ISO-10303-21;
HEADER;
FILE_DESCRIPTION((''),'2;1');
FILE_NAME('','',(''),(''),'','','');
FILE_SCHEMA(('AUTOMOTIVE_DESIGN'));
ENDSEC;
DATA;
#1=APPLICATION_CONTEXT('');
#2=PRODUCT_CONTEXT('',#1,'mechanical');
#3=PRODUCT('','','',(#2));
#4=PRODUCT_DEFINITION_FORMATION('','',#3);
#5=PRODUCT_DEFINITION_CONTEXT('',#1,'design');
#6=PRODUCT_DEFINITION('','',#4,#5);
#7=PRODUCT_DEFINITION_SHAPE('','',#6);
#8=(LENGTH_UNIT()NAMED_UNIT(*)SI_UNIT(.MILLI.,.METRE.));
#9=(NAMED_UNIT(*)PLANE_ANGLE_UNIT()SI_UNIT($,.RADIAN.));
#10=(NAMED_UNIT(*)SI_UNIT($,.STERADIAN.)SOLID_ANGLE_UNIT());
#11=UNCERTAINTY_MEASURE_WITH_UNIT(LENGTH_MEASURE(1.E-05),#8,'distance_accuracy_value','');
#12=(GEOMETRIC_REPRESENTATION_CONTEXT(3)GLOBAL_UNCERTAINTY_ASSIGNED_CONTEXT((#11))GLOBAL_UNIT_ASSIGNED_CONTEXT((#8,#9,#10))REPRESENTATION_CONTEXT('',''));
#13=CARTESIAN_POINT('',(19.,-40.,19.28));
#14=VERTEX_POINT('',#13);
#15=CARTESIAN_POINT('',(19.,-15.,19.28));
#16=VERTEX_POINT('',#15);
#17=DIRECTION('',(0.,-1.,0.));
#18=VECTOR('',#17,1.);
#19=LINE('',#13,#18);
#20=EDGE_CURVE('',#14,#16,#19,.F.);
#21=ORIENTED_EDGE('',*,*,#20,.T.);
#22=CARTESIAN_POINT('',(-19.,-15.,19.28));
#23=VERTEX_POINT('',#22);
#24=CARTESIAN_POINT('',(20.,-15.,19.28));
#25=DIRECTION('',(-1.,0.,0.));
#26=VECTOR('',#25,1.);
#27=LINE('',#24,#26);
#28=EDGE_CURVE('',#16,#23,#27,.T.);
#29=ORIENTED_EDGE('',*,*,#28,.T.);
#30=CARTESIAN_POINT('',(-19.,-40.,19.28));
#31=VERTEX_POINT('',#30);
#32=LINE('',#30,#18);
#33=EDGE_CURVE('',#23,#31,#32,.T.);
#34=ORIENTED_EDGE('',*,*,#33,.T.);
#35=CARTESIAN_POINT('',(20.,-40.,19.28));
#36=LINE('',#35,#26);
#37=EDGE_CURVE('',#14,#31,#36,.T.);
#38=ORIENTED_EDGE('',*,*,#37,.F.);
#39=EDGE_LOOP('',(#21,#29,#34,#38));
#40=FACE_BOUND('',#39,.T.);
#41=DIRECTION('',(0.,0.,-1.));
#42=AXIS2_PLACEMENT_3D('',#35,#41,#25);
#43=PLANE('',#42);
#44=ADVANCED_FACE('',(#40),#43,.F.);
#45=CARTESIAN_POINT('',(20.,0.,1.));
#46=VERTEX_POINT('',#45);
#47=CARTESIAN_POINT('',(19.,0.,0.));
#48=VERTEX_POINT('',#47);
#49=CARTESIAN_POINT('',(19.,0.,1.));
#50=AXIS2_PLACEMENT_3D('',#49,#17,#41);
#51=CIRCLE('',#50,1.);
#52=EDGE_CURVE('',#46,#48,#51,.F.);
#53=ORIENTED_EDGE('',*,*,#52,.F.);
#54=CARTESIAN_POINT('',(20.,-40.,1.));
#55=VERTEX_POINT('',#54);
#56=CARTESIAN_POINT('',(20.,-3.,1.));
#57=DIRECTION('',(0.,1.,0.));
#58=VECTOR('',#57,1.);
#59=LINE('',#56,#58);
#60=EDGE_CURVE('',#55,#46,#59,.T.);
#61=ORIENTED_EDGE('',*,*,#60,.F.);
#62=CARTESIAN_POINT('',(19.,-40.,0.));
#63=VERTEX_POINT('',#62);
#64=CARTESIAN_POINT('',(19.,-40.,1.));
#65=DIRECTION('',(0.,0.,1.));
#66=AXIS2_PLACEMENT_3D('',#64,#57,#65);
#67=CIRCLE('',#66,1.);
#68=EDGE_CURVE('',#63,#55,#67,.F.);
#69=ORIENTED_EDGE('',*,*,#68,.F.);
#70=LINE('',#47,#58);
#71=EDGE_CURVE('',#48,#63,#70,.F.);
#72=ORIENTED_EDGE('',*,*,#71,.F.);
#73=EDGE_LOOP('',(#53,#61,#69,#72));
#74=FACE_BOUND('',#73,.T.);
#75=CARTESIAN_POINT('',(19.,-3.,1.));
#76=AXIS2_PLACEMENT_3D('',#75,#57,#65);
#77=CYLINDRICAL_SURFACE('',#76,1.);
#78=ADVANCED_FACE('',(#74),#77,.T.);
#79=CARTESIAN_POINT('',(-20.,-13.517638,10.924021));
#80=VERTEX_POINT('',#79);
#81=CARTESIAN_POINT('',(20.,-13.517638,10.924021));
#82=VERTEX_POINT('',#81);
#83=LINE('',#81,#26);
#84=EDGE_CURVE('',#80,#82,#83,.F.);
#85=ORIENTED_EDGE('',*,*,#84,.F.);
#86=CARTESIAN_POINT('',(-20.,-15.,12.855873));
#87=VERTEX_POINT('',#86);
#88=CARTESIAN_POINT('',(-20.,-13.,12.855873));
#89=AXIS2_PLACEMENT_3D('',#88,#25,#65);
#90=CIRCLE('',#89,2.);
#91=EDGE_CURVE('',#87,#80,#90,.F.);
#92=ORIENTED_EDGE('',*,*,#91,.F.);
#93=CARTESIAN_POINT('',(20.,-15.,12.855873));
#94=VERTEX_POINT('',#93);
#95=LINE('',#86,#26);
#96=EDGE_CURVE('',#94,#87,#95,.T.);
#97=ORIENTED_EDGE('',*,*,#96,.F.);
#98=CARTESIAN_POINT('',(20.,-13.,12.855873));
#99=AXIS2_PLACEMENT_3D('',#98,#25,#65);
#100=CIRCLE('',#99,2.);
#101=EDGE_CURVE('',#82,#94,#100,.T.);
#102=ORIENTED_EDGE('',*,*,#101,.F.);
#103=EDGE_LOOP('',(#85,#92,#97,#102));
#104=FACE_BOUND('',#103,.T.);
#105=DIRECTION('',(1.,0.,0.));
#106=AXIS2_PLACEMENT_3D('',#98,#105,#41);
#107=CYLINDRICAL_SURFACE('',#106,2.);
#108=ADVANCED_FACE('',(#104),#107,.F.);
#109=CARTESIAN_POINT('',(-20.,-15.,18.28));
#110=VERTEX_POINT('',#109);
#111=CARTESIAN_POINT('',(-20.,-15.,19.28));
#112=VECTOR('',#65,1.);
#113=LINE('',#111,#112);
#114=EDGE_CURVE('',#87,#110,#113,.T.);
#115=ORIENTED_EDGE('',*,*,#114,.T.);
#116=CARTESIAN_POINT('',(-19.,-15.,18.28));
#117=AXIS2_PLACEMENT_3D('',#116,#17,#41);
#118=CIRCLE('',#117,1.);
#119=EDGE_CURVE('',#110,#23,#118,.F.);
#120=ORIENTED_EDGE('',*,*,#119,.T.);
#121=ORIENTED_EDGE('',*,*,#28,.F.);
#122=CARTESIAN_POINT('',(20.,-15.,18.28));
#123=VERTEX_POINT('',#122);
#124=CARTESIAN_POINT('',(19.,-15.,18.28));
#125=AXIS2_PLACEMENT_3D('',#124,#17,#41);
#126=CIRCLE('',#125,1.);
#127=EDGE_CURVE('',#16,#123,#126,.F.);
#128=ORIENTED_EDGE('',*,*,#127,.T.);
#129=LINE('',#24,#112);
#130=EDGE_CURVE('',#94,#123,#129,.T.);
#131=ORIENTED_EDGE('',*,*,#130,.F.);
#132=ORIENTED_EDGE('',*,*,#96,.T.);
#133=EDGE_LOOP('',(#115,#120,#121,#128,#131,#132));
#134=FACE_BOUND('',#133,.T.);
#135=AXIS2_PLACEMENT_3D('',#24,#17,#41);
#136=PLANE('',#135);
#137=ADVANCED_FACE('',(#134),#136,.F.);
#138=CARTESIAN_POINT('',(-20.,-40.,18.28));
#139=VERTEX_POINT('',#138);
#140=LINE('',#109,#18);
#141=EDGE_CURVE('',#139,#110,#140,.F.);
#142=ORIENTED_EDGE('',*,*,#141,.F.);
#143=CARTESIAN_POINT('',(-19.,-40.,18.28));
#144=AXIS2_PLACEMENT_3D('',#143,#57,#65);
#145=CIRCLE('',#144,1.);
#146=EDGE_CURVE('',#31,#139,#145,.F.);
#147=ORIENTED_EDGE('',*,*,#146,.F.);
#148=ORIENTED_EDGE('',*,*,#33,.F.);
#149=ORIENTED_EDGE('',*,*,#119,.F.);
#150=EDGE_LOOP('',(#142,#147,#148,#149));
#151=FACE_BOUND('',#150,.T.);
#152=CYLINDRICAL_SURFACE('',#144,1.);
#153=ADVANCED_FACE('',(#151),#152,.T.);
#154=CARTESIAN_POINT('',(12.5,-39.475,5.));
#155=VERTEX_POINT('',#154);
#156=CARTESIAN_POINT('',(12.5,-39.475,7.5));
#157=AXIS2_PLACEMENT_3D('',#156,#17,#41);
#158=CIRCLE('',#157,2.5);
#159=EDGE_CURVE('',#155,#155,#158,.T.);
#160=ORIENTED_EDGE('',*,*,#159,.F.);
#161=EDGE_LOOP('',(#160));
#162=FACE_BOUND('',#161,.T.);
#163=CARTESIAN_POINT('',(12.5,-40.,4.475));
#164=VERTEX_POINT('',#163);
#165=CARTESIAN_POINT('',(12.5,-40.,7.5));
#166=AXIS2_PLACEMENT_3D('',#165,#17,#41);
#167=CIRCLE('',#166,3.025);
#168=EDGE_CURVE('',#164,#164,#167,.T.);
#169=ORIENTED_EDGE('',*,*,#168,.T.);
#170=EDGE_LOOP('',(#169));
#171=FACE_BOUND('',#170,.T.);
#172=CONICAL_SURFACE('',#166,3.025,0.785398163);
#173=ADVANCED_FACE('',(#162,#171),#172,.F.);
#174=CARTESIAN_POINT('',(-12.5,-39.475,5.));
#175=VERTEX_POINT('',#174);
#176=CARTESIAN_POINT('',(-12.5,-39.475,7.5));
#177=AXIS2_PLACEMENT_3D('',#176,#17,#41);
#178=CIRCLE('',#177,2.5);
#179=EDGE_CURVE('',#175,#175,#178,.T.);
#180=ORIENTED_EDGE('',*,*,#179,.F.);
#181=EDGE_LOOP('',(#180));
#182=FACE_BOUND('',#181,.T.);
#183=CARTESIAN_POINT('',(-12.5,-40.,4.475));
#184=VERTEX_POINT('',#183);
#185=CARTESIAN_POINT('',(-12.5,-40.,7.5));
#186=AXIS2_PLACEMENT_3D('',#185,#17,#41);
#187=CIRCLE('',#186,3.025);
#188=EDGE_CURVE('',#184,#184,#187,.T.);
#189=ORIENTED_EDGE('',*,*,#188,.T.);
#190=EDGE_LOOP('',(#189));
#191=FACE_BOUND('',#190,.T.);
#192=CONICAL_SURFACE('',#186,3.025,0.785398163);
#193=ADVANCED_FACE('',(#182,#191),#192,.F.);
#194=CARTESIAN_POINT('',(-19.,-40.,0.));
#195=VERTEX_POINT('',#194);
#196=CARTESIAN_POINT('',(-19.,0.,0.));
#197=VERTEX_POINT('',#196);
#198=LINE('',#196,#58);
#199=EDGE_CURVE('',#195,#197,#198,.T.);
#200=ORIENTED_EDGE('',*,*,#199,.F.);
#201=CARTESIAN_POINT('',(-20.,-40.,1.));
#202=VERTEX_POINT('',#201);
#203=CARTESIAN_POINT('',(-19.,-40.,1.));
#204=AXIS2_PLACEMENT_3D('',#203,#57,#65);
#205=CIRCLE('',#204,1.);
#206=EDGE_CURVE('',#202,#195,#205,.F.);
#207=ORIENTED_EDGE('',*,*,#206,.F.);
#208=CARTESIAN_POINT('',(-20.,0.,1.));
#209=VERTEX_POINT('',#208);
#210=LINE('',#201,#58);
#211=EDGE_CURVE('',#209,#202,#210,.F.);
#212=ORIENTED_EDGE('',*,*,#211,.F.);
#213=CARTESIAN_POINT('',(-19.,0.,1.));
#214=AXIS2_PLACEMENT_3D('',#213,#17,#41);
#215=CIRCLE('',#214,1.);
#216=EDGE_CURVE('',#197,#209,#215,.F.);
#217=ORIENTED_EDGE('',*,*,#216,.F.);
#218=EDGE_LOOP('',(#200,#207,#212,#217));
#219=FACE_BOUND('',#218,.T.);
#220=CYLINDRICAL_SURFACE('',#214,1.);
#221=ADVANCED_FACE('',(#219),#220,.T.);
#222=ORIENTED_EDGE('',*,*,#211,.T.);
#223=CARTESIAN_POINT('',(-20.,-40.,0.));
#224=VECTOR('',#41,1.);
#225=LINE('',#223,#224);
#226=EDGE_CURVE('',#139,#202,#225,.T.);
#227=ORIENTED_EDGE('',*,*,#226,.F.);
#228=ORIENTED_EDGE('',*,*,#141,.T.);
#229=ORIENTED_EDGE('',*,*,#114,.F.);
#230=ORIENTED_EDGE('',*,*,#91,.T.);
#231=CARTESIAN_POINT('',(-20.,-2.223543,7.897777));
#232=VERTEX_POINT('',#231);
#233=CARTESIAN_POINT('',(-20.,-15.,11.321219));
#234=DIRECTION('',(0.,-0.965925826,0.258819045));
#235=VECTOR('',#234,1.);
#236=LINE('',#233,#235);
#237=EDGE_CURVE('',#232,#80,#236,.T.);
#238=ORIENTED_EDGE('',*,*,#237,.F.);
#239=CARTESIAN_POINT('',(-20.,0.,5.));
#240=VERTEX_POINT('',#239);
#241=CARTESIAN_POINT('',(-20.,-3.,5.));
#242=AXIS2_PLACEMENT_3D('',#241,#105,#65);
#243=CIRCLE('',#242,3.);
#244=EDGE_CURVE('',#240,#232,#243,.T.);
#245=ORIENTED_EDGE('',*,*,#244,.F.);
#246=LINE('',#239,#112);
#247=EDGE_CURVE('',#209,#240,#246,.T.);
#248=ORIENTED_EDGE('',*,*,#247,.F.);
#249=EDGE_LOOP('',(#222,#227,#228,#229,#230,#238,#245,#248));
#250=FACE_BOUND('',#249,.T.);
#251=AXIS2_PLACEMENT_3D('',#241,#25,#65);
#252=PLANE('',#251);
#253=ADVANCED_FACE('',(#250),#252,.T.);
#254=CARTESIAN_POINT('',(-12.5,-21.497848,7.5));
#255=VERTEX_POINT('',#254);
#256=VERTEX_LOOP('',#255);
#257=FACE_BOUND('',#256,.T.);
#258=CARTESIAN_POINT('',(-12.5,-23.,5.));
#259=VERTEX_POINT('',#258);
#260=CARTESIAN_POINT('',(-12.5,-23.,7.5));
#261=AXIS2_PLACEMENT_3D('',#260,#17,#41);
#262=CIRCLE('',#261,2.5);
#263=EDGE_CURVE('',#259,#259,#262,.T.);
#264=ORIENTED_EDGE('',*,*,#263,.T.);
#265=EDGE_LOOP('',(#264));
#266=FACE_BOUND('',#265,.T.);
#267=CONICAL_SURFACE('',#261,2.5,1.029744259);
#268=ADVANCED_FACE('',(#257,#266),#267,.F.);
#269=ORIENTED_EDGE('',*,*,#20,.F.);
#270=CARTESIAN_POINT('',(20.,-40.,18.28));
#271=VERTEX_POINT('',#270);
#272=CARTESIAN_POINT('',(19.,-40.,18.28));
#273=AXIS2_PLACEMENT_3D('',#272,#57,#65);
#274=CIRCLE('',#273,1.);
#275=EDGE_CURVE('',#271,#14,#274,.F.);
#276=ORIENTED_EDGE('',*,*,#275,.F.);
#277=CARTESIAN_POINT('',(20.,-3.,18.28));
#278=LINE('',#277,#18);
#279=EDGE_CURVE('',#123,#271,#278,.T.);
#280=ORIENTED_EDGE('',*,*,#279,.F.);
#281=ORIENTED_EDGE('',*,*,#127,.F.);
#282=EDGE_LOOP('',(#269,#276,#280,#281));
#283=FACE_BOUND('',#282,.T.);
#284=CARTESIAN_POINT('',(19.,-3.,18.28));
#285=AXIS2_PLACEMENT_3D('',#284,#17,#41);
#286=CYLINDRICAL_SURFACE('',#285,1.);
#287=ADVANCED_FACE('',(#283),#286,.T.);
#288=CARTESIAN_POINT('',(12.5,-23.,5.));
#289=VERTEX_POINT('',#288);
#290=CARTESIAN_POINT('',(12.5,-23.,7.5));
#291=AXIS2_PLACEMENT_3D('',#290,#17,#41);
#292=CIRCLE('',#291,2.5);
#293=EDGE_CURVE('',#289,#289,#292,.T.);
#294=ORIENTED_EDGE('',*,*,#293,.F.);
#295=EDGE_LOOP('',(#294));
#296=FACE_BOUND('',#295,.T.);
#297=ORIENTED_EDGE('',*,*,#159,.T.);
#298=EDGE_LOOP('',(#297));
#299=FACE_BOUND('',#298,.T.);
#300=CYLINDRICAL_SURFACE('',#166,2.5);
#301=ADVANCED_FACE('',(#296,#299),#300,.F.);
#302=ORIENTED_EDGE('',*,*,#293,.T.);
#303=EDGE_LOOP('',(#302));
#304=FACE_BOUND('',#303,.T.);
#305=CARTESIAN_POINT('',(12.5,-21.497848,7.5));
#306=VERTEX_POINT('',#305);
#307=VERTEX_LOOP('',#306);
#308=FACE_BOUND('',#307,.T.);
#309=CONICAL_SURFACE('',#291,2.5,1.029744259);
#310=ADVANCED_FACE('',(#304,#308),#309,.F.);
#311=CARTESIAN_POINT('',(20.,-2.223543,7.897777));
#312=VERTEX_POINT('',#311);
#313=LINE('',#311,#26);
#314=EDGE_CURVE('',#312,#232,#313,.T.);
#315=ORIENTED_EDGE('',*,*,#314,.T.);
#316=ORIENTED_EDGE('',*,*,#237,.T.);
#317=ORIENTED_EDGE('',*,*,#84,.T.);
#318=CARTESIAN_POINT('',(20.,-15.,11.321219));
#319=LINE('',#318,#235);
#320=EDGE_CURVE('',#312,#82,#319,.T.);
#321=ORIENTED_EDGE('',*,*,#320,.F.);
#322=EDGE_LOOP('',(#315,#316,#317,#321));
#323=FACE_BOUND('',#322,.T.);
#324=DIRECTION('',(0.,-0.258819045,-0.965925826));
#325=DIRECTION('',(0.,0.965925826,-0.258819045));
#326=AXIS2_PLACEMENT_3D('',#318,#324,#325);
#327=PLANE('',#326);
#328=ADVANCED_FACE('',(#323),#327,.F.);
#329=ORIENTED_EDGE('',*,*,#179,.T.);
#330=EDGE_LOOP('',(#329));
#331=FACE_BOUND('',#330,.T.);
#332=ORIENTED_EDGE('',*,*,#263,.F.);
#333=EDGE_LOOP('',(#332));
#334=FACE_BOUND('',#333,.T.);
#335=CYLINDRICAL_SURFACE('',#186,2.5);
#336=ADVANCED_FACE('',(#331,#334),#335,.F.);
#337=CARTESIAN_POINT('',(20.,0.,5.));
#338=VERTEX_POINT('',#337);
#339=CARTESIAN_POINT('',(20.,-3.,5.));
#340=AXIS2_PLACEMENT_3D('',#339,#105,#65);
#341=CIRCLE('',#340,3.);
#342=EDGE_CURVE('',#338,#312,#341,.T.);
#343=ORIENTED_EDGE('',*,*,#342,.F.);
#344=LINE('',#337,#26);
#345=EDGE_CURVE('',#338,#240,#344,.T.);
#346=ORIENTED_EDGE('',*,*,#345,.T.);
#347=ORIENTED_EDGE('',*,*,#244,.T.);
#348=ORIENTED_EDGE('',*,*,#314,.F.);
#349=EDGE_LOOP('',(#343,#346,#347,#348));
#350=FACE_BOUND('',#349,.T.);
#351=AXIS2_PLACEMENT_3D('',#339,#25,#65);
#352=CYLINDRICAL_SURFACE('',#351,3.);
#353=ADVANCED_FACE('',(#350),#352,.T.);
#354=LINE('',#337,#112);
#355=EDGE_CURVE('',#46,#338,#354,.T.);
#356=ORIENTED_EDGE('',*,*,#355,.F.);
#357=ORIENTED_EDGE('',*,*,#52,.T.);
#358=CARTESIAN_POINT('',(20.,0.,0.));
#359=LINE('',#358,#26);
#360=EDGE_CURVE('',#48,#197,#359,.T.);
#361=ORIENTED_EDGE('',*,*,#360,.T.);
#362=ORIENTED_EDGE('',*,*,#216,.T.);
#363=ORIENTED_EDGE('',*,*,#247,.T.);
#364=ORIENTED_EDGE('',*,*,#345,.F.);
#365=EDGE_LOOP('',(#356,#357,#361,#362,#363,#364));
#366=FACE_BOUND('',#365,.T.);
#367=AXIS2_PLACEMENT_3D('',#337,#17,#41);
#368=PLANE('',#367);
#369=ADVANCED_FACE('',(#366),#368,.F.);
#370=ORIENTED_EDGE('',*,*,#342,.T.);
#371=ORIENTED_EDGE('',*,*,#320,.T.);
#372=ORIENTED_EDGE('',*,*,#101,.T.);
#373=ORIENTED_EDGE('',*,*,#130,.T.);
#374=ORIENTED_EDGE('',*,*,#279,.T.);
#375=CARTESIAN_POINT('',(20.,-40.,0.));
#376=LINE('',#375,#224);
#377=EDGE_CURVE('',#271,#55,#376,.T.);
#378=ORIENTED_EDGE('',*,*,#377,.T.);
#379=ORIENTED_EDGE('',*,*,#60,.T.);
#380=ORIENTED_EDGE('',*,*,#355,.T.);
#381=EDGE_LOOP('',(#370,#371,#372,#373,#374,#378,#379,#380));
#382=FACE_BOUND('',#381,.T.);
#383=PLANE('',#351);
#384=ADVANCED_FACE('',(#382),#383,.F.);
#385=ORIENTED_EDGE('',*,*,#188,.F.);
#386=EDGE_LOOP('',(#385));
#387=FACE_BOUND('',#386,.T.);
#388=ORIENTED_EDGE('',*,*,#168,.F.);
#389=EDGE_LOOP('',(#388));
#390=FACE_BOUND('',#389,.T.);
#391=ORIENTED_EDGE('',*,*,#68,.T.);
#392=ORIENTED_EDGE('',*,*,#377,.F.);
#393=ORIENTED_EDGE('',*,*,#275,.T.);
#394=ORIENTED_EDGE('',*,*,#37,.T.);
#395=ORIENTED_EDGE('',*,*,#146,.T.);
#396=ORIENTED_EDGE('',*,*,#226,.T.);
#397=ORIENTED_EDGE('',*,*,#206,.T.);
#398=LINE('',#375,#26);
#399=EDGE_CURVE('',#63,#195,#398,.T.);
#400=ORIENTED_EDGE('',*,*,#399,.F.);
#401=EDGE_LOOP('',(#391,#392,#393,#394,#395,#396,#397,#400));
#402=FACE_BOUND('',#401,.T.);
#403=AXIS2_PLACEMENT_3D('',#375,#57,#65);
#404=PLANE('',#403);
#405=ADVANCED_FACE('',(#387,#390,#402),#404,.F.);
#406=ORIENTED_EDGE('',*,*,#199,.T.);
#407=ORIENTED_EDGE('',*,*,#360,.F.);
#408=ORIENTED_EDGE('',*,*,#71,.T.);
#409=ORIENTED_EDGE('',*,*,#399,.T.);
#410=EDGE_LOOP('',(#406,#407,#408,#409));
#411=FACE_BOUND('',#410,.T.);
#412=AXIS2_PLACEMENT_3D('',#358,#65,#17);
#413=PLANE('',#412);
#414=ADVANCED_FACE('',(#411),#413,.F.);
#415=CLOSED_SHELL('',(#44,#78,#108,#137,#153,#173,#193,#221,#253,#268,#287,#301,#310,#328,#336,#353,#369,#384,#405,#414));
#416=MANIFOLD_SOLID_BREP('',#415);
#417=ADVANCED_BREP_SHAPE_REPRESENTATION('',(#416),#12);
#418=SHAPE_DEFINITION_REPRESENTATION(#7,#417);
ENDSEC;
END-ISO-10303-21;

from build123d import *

# Parameters (mm, degrees)
BOSS_EXTRUDE1_DEPTH         = 20
FILLET1_R                   = 1
M6_TAPPED_HOLE1_D           = 5
M6_TAPPED_HOLE1_DEPTH       = 17
M6_TAPPED_HOLE1_CSINK_D     = 6.05
M6_TAPPED_HOLE1_CSINK_ANGLE = 90
M6_TAPPED_HOLE1_TIP         = 1.502151548
FILLET2_R                   = 2


with BuildPart() as part:
    # Sketch1 → Boss-Extrude1 (new, symmetric)
    with BuildSketch(Plane(origin=(0, 0, 0), x_dir=(0, 0, -1), z_dir=(1, 0, 0))):
        with BuildLine():
            Line((-5, 0), (0, 0))
            Line((0, 0), (0, -40))
            Line((0, -40), (-19.28, -40))
            Line((-19.28, -40), (-19.28, -15))
            Line((-19.28, -15), (-11.32121885, -15))
            Line((-11.32121885, -15), (-7.897777479, -2.223542865))
            ThreePointArc((-7.897777479, -2.223542865), (-6.826284287, -0.619939979), (-5, 0))
        make_face()
    extrude(amount=BOSS_EXTRUDE1_DEPTH, both=True)

    # Fillet1
    fillet1_edges = [part.edges().sort_by_distance(p)[0] for p in [
        (20, -27.5, 19.28),
        (20, -20, 0),
        (-20, -20, 0),
        (-20, -27.5, 19.28),
    ]]
    fillet(fillet1_edges, radius=FILLET1_R)

    # M6 Tapped Hole1
    with Locations(Plane(origin=(0, -40, 0), x_dir=(-1, 0, 0), z_dir=(0, -1, 0))):
        with Locations((-12.5, -7.5), (12.5, -7.5)):
            CounterSinkHole(M6_TAPPED_HOLE1_D / 2, M6_TAPPED_HOLE1_CSINK_D / 2, depth=M6_TAPPED_HOLE1_DEPTH, counter_sink_angle=M6_TAPPED_HOLE1_CSINK_ANGLE)
            with Locations((0, 0, -(M6_TAPPED_HOLE1_DEPTH + M6_TAPPED_HOLE1_TIP / 2))):  # 118° drill point
                Cone(0, M6_TAPPED_HOLE1_D / 2, M6_TAPPED_HOLE1_TIP, mode=Mode.SUBTRACT)

    # Fillet2
    fillet2_edges = [part.edges().sort_by_distance(p)[0] for p in [
        (0, -15, 11.32121885),
    ]]
    fillet(fillet2_edges, radius=FILLET2_R)


solid = part.part
